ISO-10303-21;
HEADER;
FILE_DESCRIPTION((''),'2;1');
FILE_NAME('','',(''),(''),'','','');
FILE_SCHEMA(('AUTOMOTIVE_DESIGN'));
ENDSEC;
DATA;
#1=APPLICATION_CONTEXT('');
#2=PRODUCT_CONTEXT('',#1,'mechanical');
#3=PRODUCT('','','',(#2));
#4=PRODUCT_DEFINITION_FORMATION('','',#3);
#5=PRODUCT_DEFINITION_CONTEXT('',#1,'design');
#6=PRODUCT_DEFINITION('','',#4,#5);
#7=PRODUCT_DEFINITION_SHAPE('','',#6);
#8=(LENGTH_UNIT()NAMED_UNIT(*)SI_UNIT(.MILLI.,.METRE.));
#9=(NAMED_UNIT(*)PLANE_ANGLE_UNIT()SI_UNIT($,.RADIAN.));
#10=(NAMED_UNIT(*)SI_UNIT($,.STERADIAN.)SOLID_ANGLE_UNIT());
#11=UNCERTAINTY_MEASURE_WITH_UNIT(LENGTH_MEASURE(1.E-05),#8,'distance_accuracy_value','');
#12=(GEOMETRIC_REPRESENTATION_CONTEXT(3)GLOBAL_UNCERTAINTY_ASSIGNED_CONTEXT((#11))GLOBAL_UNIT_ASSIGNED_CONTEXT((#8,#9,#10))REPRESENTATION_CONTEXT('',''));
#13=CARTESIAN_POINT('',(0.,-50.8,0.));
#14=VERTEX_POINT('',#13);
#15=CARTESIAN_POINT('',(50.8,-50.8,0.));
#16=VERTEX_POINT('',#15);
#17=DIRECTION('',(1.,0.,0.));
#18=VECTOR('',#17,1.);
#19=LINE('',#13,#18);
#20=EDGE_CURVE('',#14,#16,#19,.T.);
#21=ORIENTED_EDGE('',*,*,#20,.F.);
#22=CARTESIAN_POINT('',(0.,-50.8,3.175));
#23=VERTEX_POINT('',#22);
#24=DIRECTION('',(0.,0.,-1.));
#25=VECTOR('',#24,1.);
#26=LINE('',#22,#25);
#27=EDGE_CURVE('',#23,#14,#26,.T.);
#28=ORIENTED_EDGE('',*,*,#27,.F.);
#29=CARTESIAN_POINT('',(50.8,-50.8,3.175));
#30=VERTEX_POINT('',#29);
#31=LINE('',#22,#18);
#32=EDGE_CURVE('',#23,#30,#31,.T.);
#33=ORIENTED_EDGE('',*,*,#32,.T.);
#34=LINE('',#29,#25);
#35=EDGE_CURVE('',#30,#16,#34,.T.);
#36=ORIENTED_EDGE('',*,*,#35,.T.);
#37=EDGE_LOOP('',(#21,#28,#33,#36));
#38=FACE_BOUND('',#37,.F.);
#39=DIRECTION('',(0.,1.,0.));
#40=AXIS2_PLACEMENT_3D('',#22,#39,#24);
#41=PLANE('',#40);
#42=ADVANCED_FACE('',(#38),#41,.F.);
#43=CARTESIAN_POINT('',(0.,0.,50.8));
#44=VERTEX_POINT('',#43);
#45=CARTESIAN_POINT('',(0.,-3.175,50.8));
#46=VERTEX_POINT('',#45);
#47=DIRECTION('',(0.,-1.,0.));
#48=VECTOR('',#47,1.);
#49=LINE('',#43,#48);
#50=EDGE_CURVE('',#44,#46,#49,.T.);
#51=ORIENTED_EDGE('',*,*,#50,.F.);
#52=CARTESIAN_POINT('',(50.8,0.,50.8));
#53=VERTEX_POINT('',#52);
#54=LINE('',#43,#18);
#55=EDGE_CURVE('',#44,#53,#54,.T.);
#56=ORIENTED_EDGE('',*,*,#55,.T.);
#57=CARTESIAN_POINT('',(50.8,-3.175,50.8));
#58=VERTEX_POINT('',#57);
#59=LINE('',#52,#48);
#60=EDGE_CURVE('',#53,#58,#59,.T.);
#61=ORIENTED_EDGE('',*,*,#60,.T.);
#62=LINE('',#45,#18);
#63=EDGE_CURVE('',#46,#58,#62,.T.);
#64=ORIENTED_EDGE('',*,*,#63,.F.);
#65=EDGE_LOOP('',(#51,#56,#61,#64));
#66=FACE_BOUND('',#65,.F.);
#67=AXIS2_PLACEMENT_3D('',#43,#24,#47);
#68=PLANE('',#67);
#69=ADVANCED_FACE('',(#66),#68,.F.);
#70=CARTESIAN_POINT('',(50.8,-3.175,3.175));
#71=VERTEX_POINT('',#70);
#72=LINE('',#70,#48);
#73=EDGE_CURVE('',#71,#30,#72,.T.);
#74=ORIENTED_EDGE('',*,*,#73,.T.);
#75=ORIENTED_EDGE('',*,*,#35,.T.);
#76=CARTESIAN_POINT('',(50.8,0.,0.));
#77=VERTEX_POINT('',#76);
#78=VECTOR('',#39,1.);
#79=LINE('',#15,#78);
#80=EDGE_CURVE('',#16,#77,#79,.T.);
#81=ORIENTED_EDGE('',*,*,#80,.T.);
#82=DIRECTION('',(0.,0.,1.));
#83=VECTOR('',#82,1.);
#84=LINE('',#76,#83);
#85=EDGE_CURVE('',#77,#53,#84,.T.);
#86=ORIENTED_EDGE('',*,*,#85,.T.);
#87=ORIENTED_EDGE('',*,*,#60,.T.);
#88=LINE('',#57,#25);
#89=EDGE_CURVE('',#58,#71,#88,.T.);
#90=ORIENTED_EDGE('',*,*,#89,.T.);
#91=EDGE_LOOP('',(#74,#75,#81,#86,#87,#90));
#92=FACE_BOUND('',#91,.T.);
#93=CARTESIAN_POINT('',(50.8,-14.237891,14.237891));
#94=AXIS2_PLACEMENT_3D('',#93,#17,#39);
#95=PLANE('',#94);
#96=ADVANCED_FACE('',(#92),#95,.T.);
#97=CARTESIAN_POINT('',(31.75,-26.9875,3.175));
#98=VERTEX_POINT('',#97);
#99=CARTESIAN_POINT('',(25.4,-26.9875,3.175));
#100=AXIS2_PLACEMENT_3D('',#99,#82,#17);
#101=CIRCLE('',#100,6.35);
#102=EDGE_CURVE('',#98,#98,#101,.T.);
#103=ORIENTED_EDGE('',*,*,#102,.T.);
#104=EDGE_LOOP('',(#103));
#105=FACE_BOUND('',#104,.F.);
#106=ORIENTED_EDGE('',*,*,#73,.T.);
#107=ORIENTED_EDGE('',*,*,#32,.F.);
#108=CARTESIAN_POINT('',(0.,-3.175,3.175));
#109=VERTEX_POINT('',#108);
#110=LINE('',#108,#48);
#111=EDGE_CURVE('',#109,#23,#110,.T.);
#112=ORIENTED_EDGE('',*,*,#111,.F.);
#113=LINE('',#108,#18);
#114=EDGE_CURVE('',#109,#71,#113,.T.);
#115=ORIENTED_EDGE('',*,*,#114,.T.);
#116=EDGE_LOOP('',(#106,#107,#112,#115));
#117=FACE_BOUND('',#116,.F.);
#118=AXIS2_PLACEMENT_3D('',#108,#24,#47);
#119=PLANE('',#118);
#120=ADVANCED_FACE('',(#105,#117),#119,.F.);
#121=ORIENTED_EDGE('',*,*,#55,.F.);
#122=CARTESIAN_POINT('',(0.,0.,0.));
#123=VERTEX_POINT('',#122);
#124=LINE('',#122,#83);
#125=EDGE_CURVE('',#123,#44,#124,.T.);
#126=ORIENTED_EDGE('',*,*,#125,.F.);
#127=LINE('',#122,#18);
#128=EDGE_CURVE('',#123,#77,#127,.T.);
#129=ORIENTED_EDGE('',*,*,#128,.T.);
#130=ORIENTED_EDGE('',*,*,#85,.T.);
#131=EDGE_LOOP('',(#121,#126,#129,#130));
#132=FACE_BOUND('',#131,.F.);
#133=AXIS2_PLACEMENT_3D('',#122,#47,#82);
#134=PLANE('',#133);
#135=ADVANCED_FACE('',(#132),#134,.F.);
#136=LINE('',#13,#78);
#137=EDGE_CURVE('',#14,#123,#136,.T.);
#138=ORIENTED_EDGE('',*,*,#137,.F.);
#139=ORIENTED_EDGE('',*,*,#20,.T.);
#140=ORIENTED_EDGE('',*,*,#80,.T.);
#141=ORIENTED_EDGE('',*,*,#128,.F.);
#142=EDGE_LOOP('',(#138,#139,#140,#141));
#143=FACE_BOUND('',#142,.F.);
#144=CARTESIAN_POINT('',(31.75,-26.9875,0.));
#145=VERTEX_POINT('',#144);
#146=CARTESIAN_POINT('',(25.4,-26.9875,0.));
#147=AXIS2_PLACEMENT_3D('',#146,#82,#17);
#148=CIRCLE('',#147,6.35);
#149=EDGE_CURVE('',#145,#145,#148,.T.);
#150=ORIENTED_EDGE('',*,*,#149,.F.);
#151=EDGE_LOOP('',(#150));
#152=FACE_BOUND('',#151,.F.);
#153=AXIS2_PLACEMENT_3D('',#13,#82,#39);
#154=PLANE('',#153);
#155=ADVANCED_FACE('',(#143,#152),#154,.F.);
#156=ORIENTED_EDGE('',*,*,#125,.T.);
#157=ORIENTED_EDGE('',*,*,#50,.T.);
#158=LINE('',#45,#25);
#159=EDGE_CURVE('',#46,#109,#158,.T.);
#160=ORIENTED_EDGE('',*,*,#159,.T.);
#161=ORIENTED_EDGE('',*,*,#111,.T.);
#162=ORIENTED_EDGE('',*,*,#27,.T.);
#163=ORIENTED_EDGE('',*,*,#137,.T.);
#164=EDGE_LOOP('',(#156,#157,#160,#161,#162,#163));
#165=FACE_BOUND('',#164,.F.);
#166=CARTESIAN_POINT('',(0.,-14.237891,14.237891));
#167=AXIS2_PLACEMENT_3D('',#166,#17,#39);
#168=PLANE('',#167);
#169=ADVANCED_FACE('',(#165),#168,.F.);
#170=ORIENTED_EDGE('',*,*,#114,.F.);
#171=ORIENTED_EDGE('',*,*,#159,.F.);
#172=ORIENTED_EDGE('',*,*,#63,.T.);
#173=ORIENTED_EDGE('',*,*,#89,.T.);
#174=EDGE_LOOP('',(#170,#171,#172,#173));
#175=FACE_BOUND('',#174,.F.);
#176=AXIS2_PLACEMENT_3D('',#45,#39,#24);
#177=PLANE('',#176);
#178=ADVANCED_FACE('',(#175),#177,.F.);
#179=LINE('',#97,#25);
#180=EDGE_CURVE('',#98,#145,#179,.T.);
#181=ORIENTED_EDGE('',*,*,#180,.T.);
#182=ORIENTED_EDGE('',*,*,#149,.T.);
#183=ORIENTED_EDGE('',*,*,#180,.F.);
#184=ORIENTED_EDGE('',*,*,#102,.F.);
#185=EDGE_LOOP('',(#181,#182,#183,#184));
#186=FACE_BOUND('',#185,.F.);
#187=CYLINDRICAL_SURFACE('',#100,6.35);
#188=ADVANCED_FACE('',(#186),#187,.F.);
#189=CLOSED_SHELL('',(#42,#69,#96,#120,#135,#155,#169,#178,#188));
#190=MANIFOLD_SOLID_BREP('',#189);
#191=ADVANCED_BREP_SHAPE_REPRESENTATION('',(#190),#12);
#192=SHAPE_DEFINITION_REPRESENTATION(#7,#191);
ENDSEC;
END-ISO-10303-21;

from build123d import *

# Parameters (mm, degrees)
F1_DEPTH = 50.8
F2_R     = 6.35
F3_DEPTH = 25.4


with BuildPart() as f1:
    # F0 (on Right) → F1 (new body)
    with BuildSketch(Plane.YZ):
        Polygon((-50.8, 0), (0, 0), (0, 50.8), (-3.175, 50.8), (-3.175, 3.175), (-50.8, 3.175), align=None)
    extrude(amount=F1_DEPTH)

    # F2 (on face) → F3 (cut)
    with BuildSketch(Plane.XY.offset(3.175)):
        with Locations((25.4, -26.9875)):
            Circle(F2_R)
    extrude(amount=-F3_DEPTH, mode=Mode.SUBTRACT)


solid = f1.part
